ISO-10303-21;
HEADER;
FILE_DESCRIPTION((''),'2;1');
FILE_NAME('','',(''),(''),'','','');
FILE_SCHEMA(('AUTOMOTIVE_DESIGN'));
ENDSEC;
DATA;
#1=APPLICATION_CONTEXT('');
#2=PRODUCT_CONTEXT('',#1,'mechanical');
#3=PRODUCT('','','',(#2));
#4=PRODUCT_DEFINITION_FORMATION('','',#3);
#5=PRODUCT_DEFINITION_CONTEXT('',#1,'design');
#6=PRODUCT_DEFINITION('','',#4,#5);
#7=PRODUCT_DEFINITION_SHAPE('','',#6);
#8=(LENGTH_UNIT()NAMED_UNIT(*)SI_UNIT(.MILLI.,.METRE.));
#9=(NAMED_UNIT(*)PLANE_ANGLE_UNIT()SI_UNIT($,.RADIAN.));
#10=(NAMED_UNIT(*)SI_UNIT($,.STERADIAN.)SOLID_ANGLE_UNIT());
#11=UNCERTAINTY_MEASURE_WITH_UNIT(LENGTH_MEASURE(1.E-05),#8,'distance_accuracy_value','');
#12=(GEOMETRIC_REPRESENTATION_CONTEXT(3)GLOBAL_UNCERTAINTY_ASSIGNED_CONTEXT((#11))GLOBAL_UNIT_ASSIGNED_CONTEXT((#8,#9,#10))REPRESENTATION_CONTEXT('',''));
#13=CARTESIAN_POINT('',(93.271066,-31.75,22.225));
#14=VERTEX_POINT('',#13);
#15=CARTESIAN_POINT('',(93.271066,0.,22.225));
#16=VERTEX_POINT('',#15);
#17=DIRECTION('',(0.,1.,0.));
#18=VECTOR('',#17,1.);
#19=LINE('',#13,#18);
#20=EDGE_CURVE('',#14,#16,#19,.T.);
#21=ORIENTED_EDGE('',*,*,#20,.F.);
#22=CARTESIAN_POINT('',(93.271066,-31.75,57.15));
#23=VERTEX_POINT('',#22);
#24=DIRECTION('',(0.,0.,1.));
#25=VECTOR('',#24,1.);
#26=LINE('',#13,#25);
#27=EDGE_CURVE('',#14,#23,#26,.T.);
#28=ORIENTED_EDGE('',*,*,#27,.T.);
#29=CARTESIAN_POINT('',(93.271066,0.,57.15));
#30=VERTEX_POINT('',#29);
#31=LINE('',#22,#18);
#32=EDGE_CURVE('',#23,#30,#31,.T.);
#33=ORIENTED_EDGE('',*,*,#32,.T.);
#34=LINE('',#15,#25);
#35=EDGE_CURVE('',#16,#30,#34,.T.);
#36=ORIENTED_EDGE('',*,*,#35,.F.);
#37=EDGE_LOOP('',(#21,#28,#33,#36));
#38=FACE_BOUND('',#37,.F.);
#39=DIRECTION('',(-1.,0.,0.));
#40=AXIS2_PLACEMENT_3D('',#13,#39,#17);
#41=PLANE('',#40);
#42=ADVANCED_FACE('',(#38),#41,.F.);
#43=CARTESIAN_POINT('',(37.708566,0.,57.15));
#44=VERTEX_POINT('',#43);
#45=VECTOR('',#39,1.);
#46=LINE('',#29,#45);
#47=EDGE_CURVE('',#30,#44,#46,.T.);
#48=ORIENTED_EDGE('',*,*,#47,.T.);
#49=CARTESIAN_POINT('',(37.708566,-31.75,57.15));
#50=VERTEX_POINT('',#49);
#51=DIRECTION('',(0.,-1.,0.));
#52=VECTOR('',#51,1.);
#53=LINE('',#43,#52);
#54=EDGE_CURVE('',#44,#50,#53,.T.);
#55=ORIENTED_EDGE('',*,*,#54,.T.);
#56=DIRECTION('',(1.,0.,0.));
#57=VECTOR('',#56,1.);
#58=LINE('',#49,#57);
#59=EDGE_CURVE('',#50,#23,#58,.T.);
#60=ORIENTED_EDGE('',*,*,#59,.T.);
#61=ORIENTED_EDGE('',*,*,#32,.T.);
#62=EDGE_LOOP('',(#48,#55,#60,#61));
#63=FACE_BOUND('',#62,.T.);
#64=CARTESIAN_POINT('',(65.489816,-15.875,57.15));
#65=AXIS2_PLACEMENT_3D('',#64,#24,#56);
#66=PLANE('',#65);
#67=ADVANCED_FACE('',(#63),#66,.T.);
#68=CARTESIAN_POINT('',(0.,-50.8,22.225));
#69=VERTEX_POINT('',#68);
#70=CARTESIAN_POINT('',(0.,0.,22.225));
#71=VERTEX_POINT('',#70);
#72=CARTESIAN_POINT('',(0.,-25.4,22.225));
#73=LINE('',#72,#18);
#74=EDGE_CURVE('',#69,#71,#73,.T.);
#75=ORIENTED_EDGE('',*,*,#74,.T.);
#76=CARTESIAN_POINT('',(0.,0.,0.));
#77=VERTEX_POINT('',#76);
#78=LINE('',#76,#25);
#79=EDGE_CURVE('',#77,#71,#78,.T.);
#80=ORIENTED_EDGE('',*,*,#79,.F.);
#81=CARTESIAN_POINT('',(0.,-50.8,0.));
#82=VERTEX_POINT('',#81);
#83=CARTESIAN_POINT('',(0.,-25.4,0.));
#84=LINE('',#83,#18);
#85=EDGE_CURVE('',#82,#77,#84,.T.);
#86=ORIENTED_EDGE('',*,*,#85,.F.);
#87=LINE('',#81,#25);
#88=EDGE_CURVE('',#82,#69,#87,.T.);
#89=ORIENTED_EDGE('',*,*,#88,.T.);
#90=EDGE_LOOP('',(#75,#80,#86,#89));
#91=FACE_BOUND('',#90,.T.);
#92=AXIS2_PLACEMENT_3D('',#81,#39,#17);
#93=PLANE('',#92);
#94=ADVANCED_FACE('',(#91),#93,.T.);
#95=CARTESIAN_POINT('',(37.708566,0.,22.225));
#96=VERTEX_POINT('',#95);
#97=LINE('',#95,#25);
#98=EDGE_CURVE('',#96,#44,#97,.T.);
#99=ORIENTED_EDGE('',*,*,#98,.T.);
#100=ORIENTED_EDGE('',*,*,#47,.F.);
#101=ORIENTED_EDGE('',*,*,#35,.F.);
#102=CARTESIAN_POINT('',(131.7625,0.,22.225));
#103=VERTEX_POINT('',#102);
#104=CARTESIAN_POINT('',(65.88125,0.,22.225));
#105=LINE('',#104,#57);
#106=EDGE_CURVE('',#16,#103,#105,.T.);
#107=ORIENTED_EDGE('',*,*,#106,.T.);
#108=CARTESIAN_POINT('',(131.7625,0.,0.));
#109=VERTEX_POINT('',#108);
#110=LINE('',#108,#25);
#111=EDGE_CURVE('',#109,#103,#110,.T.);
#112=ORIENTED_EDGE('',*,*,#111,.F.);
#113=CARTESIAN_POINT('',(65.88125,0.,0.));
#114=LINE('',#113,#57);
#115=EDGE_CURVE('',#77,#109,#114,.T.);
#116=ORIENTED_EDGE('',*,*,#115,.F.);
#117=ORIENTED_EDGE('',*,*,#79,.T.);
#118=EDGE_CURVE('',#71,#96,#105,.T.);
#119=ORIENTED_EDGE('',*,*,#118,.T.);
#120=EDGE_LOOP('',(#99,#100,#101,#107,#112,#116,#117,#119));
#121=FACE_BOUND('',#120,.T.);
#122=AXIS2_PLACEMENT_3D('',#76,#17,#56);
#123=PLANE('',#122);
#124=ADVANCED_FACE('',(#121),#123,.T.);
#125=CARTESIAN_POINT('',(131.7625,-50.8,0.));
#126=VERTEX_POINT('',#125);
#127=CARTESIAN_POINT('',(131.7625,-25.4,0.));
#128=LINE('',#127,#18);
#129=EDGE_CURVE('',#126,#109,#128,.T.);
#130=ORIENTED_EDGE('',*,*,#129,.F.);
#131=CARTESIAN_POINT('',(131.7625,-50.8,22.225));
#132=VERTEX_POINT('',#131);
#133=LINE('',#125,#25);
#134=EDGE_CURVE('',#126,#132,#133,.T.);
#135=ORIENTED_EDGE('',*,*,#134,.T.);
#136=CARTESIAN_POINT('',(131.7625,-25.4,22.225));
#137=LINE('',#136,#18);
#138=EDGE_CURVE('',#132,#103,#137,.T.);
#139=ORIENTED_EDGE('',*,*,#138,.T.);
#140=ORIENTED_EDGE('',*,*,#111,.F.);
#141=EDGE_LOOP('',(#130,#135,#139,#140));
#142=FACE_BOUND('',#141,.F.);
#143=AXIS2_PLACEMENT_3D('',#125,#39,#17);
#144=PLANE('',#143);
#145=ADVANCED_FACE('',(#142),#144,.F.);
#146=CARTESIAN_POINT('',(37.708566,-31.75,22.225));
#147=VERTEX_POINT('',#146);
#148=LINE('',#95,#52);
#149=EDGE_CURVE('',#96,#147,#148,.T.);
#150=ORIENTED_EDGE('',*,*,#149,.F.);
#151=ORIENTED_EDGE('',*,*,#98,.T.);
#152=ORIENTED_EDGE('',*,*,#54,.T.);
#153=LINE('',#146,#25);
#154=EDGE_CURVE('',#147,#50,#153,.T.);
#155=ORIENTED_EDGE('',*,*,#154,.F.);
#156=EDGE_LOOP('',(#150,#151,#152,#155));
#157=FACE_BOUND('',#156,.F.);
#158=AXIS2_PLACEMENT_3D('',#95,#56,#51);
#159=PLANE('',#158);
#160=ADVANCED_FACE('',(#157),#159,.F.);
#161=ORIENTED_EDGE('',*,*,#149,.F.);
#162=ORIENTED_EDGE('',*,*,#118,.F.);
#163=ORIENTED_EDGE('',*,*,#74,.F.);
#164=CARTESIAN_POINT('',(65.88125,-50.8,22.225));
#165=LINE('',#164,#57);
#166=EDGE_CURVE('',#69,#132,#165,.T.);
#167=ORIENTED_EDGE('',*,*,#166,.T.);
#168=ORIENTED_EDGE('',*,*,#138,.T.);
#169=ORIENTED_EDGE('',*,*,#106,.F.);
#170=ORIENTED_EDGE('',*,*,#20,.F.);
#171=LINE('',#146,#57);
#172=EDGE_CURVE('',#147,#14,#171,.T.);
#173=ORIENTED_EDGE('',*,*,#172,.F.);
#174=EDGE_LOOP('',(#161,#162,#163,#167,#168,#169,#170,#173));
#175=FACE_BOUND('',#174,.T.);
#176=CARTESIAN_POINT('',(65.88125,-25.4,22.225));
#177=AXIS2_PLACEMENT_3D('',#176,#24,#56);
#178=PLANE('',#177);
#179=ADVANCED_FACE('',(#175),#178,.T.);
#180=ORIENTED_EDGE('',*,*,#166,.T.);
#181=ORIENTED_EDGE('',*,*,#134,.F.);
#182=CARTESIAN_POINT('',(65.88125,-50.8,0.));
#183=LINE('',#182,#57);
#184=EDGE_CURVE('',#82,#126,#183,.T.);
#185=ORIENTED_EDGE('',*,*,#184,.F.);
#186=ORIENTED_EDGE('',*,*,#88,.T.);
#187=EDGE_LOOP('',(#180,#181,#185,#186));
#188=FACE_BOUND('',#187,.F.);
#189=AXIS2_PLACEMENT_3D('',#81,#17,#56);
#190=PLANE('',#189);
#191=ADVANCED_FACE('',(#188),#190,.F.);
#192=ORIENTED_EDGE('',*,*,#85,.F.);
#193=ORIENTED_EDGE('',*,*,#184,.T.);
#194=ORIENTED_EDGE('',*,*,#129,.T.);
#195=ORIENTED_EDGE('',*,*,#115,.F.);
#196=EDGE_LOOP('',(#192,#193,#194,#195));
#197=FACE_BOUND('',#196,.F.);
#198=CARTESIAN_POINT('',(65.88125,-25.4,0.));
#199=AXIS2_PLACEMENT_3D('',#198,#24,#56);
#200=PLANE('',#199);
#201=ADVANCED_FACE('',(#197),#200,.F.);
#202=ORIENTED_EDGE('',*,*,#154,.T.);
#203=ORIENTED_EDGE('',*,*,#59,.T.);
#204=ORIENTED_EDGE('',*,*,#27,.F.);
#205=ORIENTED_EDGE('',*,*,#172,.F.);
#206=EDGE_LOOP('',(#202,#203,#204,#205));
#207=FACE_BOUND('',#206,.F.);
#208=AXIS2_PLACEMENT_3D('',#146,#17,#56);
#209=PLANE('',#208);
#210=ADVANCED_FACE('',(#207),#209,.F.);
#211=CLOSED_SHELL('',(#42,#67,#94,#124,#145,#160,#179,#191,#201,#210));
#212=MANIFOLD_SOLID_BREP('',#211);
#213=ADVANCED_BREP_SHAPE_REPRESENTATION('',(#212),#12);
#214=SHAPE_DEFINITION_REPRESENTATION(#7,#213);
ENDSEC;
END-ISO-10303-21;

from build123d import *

# Parameters (mm, degrees)
F0_W     = 131.7625
F0_H     = 50.8
F1_DEPTH = 22.225
F3_DEPTH = 34.925


with BuildPart() as f1:
    # F0 (on Top) → F1 (new body)
    with BuildSketch(Plane.XY):
        with Locations((65.88125, -25.4)):
            Rectangle(F0_W, F0_H)
    extrude(amount=F1_DEPTH)

    # F2 (on face) → F3 (join)
    with BuildSketch(Plane.XY.offset(22.225)):
        Polygon((93.271066, 0), (37.708566, 0), (37.708566, -25.4), (37.708566, -31.75), (93.271066, -31.75), align=None)
    extrude(amount=F3_DEPTH)


solid = f1.part
